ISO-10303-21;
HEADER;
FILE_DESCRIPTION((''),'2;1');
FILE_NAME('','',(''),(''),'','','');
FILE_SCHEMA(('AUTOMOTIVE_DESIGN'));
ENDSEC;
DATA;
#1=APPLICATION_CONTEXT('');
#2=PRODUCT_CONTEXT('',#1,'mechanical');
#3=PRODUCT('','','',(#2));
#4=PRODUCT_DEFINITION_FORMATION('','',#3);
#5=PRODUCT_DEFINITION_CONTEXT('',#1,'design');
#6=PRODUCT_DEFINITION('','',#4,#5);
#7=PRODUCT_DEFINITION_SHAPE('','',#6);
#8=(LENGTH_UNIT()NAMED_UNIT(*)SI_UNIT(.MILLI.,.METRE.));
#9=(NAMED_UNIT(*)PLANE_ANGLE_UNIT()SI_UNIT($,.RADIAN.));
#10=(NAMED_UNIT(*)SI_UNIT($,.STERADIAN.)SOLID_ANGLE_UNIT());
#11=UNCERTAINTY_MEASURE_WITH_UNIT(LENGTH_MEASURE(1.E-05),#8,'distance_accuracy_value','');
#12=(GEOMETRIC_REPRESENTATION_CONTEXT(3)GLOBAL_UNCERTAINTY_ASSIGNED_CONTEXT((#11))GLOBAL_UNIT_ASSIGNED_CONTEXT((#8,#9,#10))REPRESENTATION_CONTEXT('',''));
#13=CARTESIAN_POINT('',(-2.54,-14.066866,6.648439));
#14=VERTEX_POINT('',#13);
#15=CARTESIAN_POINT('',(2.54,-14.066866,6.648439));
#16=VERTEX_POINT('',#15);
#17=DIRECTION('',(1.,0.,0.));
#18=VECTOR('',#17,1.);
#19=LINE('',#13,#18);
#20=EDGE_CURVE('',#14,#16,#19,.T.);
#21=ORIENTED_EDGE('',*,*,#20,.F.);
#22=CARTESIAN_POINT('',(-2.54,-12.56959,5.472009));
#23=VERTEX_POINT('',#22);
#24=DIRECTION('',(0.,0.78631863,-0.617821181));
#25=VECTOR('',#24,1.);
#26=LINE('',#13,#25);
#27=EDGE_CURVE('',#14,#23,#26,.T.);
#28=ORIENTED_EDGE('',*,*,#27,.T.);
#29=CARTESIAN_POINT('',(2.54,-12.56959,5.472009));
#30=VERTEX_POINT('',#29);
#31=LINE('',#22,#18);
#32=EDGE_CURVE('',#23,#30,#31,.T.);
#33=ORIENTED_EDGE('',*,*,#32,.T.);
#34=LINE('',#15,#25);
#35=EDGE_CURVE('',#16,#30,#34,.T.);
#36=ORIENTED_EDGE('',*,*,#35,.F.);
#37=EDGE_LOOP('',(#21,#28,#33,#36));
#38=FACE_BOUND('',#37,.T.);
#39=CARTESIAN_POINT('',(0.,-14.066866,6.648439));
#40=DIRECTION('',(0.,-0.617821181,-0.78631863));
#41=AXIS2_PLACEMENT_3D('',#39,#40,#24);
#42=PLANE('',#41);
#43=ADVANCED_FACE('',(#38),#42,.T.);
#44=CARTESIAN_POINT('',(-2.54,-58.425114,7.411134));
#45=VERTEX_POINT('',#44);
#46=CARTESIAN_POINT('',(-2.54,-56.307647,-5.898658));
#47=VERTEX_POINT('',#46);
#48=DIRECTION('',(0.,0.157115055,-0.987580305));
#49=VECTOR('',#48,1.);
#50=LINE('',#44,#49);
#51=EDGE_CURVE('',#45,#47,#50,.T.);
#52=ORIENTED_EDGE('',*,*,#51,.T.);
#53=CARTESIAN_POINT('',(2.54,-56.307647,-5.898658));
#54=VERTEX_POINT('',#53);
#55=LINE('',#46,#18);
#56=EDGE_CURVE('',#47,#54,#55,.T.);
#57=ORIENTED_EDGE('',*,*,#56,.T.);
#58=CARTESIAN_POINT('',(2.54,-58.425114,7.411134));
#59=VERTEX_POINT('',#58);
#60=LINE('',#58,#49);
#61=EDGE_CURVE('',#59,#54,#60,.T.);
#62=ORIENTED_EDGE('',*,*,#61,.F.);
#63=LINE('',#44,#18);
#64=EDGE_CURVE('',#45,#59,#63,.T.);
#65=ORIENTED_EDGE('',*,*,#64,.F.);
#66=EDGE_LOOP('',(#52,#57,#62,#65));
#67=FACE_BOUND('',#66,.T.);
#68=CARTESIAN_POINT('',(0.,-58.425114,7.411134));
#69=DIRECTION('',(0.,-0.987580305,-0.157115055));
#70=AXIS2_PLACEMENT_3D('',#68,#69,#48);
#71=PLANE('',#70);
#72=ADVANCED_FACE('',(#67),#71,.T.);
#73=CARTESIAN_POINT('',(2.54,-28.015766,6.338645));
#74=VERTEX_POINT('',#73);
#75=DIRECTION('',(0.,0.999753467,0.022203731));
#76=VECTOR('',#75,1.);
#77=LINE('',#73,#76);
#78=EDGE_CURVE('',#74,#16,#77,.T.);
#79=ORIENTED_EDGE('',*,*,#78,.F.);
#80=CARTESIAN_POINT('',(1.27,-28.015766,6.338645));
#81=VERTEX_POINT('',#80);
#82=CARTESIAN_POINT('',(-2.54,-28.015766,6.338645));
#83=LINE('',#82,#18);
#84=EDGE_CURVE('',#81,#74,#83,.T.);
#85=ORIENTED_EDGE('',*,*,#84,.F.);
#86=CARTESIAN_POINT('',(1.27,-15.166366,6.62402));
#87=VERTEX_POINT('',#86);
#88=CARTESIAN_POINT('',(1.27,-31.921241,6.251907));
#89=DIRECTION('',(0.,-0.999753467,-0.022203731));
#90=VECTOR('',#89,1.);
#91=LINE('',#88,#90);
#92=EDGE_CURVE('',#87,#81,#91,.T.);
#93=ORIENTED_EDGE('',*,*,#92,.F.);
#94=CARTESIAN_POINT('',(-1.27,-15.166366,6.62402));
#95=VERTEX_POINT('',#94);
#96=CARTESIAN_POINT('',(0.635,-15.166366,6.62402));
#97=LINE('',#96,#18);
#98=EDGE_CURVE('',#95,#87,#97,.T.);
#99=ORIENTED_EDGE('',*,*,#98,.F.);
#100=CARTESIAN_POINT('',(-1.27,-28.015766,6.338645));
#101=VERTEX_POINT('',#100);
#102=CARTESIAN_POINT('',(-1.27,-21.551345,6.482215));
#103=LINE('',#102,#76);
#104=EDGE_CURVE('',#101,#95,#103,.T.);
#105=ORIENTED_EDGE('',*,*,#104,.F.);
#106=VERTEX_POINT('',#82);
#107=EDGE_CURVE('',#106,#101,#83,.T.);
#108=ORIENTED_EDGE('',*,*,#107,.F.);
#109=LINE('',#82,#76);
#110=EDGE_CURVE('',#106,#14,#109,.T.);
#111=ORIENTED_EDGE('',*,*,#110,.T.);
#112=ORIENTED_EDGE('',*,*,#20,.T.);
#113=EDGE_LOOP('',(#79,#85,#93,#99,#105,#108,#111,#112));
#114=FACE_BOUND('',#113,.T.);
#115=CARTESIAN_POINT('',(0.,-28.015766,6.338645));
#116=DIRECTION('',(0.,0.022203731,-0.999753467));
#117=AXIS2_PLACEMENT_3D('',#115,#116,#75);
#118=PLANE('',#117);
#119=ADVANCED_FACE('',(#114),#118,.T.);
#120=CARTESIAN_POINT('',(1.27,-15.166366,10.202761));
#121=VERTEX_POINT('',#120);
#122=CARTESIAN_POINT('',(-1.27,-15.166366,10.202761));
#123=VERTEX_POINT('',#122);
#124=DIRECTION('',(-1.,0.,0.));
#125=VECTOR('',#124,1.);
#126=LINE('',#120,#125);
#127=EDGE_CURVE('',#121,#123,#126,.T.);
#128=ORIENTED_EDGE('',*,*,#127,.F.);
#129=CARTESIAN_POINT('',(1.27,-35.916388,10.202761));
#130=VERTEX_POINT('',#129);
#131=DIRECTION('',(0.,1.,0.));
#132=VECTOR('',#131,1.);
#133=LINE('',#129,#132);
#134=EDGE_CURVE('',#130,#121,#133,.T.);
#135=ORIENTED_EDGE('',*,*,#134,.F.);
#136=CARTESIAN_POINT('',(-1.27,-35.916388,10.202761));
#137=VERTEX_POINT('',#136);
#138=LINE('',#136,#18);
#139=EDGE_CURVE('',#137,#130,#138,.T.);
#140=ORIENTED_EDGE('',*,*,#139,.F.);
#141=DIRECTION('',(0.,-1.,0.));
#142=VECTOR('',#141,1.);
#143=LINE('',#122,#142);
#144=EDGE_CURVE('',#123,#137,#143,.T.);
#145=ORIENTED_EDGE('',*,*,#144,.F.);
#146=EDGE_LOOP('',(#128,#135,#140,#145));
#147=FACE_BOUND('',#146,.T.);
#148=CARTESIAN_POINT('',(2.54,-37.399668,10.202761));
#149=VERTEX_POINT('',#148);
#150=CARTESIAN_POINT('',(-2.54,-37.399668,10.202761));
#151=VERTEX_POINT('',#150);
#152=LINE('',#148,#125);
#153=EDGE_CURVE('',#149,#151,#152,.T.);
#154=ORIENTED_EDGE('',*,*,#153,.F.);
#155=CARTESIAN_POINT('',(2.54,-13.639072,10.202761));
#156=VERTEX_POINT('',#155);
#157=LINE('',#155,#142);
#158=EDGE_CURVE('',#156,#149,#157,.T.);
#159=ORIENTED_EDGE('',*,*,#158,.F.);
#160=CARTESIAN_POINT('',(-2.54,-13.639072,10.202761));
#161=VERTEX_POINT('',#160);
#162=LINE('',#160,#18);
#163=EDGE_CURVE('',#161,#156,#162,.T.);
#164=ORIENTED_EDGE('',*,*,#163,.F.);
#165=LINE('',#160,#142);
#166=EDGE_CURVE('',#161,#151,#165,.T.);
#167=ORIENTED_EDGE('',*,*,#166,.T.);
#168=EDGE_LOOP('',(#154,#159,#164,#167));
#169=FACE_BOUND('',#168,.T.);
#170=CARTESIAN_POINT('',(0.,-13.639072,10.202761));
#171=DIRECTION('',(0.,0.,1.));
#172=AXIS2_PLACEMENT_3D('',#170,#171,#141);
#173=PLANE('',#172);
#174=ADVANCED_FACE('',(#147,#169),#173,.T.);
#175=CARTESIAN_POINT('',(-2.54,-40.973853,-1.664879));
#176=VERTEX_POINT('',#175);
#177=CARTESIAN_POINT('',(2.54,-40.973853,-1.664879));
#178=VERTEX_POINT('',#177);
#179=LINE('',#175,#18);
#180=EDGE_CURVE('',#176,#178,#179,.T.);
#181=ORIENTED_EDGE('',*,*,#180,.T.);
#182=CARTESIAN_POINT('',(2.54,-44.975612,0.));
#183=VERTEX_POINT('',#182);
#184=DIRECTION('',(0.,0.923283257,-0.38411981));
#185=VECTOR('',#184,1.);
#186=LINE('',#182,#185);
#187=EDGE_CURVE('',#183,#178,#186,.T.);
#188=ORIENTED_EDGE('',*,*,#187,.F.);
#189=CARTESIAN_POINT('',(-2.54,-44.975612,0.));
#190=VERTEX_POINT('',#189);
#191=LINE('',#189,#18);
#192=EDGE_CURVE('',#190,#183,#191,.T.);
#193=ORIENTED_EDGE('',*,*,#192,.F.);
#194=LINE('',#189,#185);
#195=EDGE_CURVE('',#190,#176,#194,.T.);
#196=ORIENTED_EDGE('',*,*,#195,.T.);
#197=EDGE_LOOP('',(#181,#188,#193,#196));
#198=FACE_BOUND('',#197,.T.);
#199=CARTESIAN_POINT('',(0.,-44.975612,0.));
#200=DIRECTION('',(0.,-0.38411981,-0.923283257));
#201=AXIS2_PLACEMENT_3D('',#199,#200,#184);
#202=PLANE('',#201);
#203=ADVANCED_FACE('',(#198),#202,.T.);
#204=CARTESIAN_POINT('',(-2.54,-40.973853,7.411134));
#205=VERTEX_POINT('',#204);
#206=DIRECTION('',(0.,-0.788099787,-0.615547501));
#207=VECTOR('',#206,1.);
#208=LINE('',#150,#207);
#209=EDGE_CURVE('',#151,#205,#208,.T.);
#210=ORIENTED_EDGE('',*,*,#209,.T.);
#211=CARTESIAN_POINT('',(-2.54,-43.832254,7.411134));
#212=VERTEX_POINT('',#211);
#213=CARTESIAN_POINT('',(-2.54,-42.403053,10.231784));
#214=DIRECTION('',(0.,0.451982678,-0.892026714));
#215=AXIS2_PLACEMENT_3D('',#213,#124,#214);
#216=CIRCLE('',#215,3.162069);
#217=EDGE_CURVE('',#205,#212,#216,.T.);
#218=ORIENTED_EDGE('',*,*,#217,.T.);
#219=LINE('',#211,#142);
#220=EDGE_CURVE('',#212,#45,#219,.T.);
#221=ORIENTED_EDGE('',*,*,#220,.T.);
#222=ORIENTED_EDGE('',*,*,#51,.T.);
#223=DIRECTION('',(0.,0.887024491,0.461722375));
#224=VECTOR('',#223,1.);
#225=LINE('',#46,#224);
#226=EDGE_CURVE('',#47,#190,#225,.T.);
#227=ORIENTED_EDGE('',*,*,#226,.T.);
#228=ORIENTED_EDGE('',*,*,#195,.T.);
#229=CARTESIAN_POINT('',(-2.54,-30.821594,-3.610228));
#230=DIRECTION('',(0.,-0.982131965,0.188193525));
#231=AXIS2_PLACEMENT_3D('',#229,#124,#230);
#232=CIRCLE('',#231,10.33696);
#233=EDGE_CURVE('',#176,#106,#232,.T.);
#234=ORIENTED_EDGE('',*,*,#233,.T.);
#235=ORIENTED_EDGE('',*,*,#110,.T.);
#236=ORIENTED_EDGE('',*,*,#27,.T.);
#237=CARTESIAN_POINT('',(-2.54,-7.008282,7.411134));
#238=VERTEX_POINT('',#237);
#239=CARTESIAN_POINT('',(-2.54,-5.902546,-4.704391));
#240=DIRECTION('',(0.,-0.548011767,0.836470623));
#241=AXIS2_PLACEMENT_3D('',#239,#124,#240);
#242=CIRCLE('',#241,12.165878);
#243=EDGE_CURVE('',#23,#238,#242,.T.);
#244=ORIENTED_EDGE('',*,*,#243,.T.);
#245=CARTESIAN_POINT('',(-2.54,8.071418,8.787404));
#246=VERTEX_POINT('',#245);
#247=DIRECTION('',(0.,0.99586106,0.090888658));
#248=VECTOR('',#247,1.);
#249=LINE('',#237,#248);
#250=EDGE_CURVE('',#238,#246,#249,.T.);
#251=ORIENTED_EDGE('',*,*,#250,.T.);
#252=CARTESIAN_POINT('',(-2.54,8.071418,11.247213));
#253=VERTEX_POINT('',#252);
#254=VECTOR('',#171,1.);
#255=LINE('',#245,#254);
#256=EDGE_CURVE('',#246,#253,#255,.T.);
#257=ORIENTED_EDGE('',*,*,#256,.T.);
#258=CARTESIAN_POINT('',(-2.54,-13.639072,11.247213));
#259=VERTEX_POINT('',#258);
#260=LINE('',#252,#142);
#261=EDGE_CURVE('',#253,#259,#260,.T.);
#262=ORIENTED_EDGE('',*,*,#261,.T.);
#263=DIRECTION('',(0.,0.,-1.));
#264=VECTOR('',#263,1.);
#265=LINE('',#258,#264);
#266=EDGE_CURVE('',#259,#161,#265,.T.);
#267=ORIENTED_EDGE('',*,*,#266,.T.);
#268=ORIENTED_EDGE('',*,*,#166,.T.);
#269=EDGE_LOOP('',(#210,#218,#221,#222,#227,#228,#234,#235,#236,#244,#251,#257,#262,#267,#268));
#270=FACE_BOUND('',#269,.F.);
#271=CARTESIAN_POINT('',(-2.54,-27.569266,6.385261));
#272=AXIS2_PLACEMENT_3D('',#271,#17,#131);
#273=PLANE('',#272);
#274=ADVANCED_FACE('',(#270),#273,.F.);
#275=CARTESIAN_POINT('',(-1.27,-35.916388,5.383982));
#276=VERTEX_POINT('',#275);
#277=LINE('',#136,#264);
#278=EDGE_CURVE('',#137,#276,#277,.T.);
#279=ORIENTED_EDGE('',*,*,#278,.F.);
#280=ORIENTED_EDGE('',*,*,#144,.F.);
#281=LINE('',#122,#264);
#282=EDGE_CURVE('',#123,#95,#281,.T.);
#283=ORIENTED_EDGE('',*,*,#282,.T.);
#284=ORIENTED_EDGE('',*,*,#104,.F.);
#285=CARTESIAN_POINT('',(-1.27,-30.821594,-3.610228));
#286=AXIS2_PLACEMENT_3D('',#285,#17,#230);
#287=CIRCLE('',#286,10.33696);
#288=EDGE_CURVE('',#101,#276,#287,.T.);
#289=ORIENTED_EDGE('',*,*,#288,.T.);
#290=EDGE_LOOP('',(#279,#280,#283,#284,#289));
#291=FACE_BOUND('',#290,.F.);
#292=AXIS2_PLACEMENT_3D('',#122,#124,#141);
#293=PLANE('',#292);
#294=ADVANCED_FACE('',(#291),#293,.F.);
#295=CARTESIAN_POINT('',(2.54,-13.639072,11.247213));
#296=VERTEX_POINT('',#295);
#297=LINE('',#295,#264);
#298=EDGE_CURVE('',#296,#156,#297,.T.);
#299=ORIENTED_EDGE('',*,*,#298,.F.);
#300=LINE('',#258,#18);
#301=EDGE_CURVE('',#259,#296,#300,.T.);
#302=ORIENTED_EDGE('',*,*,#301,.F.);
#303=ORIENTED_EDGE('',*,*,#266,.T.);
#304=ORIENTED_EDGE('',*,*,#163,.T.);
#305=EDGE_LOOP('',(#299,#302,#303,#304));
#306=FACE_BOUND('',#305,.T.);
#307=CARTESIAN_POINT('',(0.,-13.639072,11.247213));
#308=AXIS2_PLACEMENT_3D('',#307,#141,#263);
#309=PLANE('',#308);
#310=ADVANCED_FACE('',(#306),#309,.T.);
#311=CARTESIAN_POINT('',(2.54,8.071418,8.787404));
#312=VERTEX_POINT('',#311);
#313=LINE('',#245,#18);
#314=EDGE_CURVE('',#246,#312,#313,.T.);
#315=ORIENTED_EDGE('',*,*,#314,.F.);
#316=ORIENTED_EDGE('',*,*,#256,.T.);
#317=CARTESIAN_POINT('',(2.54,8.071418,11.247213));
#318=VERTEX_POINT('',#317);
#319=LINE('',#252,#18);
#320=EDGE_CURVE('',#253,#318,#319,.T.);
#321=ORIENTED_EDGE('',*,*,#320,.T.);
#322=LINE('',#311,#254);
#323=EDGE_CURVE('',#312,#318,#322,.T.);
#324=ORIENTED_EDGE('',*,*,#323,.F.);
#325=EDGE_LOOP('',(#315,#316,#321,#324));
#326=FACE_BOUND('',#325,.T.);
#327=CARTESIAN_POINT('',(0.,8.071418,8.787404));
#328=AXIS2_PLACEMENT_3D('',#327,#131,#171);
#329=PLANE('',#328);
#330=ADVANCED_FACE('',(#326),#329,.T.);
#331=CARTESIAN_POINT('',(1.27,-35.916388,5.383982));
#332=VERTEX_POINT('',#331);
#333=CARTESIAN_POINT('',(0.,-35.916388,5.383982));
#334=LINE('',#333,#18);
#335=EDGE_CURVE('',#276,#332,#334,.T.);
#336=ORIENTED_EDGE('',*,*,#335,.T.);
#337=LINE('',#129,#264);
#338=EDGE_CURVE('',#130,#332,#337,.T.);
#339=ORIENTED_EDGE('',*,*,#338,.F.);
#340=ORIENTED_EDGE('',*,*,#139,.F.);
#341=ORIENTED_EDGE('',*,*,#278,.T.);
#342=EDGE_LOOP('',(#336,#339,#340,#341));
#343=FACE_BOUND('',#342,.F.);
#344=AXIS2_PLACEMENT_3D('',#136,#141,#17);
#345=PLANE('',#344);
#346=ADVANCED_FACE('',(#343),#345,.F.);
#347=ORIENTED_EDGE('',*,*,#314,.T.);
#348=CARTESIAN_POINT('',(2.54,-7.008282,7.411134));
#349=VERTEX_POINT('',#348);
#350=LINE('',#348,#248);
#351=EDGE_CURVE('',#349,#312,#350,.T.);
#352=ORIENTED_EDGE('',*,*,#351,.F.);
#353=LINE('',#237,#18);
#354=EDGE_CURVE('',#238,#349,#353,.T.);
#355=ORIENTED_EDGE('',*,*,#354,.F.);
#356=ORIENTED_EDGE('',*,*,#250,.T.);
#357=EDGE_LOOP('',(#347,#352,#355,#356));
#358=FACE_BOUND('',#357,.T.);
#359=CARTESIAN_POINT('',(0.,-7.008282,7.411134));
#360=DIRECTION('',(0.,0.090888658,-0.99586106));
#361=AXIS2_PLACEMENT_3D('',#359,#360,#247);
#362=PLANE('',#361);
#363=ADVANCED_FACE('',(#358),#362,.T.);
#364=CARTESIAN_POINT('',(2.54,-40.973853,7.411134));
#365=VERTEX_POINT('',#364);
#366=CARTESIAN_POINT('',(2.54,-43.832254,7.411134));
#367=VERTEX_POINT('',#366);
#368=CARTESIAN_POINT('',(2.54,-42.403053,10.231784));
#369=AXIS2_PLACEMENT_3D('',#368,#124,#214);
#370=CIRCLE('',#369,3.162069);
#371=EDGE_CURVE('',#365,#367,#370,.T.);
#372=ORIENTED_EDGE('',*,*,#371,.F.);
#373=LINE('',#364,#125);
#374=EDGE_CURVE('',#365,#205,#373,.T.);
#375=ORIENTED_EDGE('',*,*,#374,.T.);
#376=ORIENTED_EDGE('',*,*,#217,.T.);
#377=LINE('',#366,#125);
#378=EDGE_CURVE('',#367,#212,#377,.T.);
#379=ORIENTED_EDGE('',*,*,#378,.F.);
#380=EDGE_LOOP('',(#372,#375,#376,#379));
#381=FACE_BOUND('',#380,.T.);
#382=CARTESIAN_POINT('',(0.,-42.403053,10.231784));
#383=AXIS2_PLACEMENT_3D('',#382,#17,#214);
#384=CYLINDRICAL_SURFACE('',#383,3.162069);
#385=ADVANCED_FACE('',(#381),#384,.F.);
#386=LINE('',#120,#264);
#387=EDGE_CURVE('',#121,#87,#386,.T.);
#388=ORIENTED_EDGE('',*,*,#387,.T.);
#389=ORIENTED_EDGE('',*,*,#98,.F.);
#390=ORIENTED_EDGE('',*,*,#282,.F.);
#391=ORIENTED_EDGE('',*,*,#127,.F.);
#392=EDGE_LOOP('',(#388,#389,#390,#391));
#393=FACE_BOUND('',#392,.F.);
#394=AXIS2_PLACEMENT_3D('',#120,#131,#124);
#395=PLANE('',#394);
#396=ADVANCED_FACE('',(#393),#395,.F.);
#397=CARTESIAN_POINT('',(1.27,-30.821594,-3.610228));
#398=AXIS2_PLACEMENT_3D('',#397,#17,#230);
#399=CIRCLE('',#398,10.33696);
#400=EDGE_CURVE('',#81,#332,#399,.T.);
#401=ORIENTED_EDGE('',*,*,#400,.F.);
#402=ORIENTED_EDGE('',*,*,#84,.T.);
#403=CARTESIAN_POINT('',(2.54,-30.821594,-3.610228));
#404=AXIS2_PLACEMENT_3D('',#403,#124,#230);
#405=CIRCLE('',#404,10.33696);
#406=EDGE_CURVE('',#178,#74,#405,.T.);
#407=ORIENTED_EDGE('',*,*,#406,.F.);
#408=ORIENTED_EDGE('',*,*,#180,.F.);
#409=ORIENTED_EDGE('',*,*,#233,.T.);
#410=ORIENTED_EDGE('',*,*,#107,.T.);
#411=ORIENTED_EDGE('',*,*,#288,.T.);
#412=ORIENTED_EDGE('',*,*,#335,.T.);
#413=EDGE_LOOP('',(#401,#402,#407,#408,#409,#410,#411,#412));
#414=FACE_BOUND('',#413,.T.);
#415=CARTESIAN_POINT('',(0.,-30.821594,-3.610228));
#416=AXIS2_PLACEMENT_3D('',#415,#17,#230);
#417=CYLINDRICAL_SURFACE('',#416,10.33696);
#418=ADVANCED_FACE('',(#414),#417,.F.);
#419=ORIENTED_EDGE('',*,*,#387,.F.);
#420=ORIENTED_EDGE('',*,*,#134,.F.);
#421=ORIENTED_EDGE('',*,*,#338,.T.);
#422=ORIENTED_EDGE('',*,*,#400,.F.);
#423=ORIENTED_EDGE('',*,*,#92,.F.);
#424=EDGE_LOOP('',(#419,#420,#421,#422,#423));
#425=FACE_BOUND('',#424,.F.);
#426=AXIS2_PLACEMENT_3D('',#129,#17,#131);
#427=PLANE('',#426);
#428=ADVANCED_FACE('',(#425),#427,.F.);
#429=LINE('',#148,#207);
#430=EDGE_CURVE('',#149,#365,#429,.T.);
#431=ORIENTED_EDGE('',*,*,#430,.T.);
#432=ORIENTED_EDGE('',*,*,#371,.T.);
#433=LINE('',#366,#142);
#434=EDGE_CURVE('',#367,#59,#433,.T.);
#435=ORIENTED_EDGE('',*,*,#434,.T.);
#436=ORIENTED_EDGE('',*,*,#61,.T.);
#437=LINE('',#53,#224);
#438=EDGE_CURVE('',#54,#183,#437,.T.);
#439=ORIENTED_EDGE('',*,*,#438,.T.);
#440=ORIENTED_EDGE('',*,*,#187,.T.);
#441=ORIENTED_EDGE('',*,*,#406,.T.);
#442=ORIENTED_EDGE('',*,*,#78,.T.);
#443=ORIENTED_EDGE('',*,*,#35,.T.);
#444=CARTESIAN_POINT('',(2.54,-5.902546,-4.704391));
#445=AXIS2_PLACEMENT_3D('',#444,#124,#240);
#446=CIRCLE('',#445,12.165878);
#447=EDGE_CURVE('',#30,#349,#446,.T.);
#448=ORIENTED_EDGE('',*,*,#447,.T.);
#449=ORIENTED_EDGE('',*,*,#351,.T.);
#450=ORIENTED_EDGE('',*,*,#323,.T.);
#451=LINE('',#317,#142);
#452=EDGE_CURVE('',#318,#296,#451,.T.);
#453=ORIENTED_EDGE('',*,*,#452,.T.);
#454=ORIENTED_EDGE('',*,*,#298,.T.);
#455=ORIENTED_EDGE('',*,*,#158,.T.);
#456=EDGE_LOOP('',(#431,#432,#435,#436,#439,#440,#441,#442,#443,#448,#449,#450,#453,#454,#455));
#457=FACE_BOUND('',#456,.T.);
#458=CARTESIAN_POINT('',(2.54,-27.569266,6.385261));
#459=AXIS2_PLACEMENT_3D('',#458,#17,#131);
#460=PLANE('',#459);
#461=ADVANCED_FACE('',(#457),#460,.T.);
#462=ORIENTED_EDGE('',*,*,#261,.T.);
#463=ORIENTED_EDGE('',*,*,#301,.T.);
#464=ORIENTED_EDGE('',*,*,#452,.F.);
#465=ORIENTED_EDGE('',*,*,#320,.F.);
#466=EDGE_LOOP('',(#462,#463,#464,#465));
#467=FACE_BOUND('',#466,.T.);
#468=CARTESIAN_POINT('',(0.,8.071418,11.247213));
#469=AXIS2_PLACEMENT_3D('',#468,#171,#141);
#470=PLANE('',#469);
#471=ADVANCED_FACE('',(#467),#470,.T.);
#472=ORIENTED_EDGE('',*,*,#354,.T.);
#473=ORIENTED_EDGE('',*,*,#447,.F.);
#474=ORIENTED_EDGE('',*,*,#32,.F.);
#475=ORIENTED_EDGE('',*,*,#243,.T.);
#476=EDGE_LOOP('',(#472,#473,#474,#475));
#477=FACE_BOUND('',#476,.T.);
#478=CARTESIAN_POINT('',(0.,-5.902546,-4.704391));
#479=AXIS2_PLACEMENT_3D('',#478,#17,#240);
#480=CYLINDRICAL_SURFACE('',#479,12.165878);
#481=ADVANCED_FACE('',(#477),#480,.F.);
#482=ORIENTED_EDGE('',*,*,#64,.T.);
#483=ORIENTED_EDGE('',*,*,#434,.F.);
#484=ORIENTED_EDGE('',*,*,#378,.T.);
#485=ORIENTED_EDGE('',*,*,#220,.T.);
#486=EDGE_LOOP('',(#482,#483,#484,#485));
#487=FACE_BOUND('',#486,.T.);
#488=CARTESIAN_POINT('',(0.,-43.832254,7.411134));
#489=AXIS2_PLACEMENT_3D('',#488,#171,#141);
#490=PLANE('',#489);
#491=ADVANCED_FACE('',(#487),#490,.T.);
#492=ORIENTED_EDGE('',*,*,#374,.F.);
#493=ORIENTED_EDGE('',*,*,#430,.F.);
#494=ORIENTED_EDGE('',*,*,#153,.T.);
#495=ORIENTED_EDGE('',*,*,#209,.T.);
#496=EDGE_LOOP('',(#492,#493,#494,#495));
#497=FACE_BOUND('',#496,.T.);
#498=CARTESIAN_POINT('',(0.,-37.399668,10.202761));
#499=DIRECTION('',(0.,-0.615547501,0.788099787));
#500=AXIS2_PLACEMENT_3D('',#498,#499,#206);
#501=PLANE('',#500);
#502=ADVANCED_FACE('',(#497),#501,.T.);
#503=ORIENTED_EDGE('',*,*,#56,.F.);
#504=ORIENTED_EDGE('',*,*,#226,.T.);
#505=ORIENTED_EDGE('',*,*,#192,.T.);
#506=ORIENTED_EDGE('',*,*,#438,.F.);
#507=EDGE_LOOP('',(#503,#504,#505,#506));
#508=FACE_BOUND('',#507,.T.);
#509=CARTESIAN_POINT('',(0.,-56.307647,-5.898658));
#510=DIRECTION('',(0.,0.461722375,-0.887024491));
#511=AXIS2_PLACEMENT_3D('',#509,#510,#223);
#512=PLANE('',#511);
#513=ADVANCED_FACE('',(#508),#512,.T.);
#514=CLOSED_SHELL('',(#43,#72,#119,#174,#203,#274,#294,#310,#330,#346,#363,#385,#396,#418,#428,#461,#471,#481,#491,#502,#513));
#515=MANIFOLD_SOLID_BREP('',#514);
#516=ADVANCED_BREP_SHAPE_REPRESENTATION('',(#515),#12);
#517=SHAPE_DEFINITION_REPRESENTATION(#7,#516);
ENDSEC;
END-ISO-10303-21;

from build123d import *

# Parameters (mm, degrees)
F1_DEPTH = 2.54
F3_DEPTH = 25.4


with BuildPart() as f1:
    # F0 (on Right) → F1 (new body, symmetric)
    with BuildSketch(Plane.YZ):
        with BuildLine():
            Line((-43.832254, 7.411134), (-58.425114, 7.411134))
            Line((-58.425114, 7.411134), (-56.307647, -5.898658))
            Line((-56.307647, -5.898658), (-44.975612, 0))
            Line((-44.975612, 0), (-40.973853, -1.664879))
            ThreePointArc((-40.973853, -1.664879), (-36.253593, 5.184437), (-28.015766, 6.338645))
            Line((-28.015766, 6.338645), (-14.066866, 6.648439))
            Line((-14.066866, 6.648439), (-12.56959, 5.472009))
            ThreePointArc((-12.56959, 5.472009), (-9.908052, 6.78319), (-7.008282, 7.411134))
            Line((-7.008282, 7.411134), (8.071418, 8.787404))
            Line((8.071418, 8.787404), (8.071418, 11.247213))
            Line((8.071418, 11.247213), (-13.639072, 11.247213))
            Line((-13.639072, 11.247213), (-13.639072, 10.202761))
            Line((-13.639072, 10.202761), (-37.399668, 10.202761))
            Line((-37.399668, 10.202761), (-40.973853, 7.411134))
            ThreePointArc((-40.973853, 7.411134), (-42.403053, 7.069715), (-43.832254, 7.411134))
        make_face()
    extrude(amount=F1_DEPTH, both=True)

    # F2 (on face) → F3 (cut)
    with BuildSketch(Plane.XY.offset(10.202761)):
        Polygon((-1.27, -15.166366), (-1.27, -25.51937), (-1.27, -35.916388), (1.27, -35.916388), (1.27, -25.51937), (1.27, -15.166366), align=None)
    extrude(amount=-F3_DEPTH, mode=Mode.SUBTRACT)


solid = f1.part
